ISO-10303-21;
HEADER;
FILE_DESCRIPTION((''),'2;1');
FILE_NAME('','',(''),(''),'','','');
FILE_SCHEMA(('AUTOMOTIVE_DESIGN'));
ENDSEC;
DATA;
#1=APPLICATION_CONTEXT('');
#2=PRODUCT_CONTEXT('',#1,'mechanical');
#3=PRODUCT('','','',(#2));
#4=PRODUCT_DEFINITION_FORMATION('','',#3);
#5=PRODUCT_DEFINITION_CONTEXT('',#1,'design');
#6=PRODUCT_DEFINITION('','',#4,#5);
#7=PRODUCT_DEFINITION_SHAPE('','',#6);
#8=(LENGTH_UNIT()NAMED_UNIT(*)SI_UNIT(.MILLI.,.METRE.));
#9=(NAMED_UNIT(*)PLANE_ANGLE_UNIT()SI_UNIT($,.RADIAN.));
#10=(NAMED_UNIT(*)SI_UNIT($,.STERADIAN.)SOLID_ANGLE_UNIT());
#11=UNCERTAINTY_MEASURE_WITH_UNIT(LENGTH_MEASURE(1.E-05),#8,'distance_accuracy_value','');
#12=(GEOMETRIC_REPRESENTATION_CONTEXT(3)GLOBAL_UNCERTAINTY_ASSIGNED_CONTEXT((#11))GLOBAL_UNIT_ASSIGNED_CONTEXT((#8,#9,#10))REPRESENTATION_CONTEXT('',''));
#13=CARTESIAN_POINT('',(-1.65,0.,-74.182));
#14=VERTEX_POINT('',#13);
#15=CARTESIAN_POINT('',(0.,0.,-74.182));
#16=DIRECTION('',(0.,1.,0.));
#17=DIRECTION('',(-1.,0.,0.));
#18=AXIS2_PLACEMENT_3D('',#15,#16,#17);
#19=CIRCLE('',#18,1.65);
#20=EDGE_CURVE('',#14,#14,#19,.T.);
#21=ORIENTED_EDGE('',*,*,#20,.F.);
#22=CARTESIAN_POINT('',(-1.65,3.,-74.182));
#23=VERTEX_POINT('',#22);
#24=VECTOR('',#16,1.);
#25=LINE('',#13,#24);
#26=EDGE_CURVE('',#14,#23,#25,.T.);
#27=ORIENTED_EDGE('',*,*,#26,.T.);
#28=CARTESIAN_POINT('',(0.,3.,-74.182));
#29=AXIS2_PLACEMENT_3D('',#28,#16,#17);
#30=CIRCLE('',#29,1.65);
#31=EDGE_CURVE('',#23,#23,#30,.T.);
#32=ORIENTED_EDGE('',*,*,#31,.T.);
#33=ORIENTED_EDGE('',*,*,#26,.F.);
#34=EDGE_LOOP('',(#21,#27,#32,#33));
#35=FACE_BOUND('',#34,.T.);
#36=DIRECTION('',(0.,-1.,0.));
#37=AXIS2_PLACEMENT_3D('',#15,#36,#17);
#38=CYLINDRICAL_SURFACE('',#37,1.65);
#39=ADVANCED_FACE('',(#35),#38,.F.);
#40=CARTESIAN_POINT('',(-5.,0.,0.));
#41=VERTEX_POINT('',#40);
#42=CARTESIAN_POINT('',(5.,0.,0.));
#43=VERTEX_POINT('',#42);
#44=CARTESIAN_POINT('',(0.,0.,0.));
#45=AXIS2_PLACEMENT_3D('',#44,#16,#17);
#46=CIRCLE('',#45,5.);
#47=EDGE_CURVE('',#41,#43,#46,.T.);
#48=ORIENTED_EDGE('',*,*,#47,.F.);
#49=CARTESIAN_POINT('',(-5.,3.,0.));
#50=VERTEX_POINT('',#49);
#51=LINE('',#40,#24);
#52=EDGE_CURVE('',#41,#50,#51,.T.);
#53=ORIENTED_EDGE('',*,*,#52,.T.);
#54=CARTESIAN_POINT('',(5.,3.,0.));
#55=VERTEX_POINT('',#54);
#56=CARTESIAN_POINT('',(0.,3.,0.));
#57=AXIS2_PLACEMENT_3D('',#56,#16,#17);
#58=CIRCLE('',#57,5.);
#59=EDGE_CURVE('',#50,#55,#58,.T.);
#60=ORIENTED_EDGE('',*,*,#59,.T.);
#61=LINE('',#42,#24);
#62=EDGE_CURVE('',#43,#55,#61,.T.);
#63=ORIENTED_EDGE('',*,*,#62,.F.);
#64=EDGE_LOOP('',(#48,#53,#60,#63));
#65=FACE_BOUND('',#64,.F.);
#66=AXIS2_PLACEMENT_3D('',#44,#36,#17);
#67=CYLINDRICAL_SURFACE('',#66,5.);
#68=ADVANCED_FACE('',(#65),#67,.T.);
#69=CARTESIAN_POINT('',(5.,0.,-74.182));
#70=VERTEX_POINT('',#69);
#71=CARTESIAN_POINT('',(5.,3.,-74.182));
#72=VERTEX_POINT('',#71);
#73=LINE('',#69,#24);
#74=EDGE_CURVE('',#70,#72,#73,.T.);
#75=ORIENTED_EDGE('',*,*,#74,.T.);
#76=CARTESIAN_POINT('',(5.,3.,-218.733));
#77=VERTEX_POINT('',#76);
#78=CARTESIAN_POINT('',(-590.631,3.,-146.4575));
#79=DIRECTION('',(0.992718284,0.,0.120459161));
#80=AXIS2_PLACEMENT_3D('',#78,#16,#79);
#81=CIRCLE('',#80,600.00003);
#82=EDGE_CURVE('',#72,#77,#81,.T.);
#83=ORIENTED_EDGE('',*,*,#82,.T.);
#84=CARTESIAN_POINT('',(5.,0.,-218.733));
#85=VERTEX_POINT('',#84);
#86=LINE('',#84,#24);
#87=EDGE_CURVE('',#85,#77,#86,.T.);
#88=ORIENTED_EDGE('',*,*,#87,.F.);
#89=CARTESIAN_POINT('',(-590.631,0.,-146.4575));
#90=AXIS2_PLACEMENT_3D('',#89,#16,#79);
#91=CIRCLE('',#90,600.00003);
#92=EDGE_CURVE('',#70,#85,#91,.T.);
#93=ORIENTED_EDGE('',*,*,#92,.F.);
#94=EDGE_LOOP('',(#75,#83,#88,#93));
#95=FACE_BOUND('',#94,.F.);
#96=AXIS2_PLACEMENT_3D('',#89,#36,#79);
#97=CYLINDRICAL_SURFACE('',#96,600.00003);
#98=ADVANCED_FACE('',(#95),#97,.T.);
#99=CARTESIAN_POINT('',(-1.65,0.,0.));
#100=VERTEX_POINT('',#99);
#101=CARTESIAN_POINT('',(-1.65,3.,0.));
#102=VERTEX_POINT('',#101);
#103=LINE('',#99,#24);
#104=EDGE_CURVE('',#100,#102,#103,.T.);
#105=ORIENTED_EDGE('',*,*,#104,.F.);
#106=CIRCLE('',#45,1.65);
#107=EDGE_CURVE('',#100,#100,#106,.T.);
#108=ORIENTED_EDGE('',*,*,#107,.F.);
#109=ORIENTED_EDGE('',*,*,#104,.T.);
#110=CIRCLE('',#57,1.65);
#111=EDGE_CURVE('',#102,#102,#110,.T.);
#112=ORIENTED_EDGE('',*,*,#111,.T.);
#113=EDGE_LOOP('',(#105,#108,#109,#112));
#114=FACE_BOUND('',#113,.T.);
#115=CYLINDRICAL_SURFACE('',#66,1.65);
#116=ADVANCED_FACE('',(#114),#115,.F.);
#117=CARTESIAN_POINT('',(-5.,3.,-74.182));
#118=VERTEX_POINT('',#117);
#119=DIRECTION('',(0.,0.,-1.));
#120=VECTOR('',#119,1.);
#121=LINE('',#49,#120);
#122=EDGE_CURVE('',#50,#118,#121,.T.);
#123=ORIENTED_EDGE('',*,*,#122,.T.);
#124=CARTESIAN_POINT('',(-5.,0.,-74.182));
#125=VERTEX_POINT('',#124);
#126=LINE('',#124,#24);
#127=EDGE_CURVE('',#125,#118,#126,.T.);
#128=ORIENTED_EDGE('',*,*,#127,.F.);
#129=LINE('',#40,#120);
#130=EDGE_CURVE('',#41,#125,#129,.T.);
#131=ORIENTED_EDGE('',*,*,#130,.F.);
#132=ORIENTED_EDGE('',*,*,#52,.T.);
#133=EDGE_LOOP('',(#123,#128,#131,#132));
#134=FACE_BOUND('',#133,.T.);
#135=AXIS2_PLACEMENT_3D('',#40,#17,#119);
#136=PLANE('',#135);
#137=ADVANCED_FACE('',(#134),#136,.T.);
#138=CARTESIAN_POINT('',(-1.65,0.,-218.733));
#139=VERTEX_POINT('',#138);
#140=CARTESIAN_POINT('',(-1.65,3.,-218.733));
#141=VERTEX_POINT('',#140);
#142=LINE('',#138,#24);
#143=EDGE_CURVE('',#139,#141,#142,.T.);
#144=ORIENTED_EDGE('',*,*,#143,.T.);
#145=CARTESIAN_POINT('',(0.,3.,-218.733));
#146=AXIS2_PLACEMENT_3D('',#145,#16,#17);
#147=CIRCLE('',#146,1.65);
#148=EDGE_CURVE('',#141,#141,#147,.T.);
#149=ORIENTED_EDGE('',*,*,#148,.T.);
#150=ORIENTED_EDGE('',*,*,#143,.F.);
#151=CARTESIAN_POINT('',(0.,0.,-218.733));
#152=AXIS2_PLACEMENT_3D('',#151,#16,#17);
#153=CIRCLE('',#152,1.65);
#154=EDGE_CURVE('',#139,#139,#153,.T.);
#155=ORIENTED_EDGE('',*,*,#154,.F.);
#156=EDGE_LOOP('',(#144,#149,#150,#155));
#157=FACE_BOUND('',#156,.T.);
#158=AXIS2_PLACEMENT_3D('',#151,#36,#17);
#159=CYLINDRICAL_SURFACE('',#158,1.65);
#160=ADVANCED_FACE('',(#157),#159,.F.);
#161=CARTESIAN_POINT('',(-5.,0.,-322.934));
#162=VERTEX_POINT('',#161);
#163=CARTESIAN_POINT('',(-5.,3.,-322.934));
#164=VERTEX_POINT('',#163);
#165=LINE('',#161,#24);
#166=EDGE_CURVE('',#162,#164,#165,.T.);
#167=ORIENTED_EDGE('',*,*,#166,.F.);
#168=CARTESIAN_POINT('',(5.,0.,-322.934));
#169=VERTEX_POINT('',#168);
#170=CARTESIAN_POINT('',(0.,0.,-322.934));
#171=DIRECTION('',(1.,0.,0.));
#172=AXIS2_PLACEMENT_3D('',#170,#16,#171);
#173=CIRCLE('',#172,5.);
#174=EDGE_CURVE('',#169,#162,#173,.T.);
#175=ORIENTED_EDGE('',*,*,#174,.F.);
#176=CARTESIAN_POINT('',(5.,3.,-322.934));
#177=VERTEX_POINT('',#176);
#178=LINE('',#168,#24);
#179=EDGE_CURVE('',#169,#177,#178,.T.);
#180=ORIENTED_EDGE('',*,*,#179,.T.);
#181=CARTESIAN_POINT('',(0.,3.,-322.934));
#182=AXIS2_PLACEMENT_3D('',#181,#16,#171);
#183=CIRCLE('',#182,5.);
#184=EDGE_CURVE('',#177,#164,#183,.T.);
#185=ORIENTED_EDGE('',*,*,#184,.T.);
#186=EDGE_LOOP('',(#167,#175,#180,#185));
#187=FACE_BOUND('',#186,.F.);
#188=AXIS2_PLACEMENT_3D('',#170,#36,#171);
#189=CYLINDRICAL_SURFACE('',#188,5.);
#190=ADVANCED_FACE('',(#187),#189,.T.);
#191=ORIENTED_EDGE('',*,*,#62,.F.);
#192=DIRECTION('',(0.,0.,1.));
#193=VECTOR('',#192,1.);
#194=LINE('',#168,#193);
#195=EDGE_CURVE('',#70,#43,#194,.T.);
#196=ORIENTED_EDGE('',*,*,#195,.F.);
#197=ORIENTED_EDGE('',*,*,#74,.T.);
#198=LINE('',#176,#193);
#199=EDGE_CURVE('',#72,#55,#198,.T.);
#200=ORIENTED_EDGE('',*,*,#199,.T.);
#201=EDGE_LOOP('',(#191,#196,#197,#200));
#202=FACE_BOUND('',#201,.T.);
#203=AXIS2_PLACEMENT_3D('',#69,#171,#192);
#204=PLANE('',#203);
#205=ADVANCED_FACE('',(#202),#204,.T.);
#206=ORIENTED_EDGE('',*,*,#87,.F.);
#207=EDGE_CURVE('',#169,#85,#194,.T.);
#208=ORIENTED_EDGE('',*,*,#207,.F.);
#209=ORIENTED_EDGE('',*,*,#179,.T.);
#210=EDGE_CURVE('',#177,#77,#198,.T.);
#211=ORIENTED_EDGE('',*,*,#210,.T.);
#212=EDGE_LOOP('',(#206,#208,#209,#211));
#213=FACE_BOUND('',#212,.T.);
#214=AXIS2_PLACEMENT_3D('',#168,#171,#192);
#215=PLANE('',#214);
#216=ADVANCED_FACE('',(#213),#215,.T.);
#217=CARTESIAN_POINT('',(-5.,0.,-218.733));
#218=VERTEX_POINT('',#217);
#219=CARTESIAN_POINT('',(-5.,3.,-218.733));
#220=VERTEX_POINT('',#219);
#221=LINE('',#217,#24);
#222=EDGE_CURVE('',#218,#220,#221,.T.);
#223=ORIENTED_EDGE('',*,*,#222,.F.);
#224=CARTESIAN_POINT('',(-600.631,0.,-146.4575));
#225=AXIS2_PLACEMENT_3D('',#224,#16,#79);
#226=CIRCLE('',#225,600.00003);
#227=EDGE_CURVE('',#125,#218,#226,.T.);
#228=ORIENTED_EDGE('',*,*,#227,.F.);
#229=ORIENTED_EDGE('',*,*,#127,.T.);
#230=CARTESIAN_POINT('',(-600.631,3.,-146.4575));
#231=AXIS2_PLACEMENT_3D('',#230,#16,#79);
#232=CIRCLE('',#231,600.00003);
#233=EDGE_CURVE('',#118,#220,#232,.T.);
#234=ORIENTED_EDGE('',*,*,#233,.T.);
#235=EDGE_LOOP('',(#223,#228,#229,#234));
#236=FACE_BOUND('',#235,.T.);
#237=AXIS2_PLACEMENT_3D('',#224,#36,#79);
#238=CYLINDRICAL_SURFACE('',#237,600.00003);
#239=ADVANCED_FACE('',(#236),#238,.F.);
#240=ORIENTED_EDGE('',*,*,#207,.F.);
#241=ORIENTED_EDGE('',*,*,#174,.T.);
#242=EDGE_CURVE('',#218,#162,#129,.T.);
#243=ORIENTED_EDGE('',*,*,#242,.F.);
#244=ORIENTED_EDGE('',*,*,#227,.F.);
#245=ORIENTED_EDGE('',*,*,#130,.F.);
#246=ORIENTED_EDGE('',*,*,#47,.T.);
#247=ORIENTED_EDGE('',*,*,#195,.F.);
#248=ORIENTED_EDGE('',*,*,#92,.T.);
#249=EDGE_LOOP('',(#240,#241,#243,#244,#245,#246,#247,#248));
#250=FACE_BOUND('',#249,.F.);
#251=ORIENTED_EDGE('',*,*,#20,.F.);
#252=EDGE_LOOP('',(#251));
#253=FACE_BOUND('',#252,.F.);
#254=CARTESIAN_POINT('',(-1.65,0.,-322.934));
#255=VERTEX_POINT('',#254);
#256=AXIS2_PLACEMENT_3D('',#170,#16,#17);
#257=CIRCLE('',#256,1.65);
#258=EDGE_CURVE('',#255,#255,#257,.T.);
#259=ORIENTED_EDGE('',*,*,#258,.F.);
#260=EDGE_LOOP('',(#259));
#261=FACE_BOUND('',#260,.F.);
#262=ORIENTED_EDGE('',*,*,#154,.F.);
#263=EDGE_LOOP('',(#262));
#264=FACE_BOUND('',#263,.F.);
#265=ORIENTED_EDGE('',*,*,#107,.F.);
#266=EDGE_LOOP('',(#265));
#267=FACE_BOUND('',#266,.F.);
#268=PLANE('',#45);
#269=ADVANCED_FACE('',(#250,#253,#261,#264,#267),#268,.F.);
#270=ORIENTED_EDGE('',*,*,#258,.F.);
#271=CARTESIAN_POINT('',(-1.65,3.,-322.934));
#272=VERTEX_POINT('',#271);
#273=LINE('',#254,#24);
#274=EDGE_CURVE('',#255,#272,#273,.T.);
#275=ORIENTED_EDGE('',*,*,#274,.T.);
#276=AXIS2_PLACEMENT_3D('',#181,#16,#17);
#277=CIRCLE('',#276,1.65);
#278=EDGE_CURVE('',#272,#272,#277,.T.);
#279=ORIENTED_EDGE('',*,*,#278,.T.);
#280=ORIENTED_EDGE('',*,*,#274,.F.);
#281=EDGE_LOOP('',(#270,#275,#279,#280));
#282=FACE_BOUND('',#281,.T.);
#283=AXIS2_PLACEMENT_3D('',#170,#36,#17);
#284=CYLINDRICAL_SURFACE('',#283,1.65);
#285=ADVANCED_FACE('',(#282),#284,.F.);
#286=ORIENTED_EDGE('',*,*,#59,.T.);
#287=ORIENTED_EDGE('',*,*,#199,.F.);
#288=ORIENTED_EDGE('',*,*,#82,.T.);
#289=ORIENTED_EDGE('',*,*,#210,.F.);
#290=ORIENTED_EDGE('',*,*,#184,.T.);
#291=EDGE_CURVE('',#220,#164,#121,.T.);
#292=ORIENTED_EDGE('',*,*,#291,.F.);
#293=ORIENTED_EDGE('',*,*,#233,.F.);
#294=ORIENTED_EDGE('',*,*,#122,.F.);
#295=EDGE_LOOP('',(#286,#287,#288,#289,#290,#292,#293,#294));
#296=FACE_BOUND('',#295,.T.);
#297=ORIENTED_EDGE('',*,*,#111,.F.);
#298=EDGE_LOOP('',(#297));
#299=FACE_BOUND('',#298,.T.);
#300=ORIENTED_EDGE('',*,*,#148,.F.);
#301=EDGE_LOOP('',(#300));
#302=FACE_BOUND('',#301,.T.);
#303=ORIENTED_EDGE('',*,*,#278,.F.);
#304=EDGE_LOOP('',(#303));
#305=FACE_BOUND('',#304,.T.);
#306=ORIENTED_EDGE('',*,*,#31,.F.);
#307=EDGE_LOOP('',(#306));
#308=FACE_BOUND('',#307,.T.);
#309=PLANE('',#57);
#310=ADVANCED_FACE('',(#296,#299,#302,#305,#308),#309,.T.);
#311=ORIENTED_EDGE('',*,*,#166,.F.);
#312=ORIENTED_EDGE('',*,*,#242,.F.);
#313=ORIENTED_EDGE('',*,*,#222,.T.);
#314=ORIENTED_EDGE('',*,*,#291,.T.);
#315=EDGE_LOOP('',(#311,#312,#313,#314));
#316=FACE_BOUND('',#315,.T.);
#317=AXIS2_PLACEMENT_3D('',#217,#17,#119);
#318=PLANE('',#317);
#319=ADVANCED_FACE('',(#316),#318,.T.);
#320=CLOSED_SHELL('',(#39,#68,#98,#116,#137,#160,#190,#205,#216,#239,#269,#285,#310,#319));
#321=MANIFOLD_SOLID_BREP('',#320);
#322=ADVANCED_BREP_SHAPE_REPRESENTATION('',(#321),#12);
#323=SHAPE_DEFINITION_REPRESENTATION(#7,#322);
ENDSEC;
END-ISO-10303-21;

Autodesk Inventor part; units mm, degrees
ref_plane "YZ Plane" through (0, 0, 0) normal (1, 0, 0) x (0, 1, 0)
ref_plane "XZ Plane" through (0, 0, 0) normal (0, 1, 0) x (-1, 0, 0)
ref_plane "XY Plane" through (0, 0, 0) normal (0, 0, 1) x (1, 0, 0)
sketch "Sketch1" plane through (0, 0, 0) normal (0, 1, 0) x (-1, 0, 0)
  line L0 (0, 0) -> (0, -322.934) construction
  line L1 (5, 0) -> (5, -322.934)
  line L2 (-5, -322.934) -> (-5, 0)
  arc A0 (5, 0) -> (-5, 0) centre (0, 0) ccw
  arc A1 (-5, -322.934) -> (5, -322.934) centre (0, -322.934) ccw
  circle A2 centre (0, 0) radius 1.65
  circle A3 centre (0, -322.934) radius 1.65
  circle A4 centre (0, -74.182) radius 1.65
  circle A5 centre (0, -218.733) radius 1.65
  arc A6 (5, -74.182) -> (5, -218.733) centre (600.631, -146.4575) ccw
  arc A7 (-5, -74.182) -> (-5, -218.733) centre (590.631, -146.4575) ccw
  point P0 (0, -161.467)
  dimension "d0" = 3.3
  dimension "d1" = 3.3
  dimension "d2" = 10
  dimension "d3" = 322.934
  dimension "d4" = 3.3
  dimension "d5" = 74.182
  dimension "d8" = 3.3
  dimension "d9" = 218.733
  dimension "d12" = 600
  dimension "d13" = 600
extrude "Extrusion1" add sketch "Sketch1" along normal blind 3 contours L1 A6 A1 L2 A0 | L2 A7
